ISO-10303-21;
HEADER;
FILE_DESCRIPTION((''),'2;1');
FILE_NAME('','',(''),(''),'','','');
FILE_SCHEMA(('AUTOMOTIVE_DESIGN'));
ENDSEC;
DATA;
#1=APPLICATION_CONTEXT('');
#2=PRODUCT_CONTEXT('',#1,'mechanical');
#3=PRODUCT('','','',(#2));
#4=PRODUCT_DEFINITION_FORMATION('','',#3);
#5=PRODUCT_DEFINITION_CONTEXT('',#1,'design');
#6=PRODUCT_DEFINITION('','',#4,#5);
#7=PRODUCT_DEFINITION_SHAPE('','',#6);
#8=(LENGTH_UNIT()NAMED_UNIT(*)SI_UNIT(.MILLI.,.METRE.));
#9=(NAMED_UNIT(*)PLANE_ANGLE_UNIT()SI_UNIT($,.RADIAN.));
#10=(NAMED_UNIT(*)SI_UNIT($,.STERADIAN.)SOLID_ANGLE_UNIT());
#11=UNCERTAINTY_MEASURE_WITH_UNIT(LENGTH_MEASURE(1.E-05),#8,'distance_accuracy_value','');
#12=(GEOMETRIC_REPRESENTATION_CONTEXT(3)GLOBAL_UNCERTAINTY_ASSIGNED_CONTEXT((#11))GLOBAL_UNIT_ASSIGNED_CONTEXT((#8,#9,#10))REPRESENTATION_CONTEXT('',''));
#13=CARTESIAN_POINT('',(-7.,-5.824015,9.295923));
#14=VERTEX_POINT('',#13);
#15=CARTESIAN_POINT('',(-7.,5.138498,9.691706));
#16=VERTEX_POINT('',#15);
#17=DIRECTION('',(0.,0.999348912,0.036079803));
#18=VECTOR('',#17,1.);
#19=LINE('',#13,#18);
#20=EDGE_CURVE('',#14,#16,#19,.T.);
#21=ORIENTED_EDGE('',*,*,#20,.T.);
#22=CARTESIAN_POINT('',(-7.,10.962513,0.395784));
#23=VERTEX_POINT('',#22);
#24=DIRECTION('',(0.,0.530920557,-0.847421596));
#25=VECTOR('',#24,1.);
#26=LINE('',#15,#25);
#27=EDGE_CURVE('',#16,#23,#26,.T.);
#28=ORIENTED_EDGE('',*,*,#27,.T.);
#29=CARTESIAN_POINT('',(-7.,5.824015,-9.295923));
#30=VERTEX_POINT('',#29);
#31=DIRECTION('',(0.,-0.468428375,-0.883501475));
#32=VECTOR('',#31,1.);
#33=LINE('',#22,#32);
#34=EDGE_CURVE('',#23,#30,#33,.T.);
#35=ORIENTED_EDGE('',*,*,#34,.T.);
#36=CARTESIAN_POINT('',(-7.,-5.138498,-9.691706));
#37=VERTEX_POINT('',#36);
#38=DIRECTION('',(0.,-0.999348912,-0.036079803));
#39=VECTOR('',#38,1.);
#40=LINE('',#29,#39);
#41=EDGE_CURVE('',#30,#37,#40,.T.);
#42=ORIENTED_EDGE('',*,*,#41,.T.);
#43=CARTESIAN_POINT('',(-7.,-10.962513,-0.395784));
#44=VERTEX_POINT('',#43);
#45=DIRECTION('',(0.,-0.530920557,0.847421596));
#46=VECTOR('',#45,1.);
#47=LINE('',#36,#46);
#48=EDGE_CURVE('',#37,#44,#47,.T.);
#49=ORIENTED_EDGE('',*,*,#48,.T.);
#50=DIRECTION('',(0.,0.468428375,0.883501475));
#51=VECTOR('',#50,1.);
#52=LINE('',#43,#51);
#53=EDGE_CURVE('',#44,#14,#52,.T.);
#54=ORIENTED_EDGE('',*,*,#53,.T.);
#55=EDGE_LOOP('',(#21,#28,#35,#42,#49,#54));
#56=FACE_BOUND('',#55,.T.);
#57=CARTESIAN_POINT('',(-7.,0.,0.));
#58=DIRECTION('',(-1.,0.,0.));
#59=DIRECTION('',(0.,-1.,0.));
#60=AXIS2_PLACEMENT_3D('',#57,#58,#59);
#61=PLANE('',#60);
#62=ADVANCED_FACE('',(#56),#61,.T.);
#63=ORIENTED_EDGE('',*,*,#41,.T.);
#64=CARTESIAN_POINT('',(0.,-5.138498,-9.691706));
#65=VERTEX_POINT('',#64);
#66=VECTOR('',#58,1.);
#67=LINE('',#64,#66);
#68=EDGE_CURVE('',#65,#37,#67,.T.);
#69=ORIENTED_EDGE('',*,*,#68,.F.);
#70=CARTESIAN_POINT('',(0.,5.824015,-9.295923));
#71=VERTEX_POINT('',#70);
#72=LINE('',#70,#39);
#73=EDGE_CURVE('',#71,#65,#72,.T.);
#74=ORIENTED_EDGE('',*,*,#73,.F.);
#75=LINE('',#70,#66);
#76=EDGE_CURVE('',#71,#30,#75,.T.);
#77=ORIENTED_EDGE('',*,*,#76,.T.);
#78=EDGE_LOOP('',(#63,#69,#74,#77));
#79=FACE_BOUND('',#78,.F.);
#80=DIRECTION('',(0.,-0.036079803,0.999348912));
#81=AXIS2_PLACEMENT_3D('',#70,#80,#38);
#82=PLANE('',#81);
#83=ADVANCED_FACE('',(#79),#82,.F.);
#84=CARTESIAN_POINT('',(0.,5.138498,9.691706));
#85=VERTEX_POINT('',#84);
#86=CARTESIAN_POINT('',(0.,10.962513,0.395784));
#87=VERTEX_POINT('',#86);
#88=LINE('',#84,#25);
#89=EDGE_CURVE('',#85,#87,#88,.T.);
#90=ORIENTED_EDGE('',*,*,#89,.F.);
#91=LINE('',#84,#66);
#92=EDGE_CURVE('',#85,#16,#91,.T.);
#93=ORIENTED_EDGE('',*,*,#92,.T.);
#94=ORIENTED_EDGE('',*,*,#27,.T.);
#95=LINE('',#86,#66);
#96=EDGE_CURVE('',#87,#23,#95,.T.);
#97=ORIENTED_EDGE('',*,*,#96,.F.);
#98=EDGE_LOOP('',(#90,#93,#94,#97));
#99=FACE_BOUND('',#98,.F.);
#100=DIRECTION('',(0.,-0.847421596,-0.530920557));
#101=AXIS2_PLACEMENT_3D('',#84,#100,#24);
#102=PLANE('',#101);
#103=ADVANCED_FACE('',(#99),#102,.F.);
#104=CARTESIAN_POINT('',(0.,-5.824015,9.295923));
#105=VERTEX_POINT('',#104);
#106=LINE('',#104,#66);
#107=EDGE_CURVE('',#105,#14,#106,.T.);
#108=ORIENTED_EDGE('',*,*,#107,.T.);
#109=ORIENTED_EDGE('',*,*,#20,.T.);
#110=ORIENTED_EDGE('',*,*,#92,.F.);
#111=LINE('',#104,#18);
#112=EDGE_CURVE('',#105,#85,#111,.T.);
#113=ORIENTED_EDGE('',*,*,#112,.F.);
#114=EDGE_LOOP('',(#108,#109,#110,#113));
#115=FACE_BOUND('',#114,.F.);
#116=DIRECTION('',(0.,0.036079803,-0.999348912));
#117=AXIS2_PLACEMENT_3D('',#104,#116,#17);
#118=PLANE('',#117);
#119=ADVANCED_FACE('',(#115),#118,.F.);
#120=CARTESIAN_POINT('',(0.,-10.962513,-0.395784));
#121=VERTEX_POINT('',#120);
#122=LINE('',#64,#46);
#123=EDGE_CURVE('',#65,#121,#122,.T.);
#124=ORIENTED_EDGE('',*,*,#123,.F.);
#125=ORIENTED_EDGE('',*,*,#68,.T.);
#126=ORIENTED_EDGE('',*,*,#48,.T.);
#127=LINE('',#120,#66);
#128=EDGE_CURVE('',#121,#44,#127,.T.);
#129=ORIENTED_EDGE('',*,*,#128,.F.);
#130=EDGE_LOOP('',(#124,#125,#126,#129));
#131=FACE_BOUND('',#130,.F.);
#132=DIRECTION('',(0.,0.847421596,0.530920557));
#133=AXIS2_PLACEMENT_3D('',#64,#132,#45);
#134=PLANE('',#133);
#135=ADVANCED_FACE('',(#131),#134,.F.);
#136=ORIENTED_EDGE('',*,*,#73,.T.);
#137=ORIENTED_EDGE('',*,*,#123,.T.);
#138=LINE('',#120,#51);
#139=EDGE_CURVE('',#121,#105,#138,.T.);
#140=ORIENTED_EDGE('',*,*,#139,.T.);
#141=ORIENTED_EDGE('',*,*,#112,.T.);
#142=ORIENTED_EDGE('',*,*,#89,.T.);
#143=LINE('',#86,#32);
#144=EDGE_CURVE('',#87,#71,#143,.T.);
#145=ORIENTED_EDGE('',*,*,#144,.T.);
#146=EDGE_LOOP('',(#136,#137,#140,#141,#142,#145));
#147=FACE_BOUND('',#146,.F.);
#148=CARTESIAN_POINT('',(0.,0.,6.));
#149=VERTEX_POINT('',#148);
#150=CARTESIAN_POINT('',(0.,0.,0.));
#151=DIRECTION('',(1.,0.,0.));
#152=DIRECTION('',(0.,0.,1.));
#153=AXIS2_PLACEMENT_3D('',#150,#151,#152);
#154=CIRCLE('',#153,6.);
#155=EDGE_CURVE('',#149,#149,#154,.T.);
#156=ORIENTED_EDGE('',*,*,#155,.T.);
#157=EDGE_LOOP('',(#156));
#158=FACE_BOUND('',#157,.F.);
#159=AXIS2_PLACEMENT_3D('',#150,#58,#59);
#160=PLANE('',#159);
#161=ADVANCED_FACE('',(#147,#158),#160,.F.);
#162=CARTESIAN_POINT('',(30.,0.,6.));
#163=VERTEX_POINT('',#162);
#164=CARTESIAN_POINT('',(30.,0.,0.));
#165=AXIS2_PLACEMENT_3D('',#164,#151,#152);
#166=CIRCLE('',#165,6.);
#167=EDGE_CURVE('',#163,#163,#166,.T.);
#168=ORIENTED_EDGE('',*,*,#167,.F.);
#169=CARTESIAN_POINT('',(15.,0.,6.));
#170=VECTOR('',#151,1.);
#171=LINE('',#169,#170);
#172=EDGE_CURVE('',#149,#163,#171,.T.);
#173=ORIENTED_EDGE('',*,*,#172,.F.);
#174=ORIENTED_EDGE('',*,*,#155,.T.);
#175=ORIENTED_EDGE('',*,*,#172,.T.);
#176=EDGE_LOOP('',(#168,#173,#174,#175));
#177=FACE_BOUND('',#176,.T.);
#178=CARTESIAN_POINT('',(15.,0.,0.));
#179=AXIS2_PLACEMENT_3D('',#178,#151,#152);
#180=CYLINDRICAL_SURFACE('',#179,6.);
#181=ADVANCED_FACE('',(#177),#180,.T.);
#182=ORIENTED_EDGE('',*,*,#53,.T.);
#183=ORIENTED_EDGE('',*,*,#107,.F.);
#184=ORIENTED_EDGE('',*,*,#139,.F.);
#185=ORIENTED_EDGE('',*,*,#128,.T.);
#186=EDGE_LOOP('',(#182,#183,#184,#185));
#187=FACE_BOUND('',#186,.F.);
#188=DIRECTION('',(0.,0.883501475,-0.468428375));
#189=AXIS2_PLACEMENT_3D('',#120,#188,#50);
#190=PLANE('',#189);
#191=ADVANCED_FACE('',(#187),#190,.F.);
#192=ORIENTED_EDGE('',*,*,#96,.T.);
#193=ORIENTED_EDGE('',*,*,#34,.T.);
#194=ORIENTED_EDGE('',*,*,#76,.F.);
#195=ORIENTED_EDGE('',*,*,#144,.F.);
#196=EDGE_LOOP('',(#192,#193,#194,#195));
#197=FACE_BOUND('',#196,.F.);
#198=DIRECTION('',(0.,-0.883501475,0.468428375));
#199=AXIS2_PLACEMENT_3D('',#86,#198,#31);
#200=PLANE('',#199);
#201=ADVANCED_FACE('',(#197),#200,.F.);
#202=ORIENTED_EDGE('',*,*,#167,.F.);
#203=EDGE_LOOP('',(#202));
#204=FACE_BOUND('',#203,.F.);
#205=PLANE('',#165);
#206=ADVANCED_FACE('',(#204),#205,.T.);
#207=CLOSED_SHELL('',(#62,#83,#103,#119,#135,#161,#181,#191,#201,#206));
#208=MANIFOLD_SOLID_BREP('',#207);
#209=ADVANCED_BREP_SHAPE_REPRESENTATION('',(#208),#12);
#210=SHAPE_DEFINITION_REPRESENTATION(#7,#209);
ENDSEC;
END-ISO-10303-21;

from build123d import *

# Parameters (mm, degrees)
F0_W     = 30
F0_H     = 6
F3_DEPTH = 7


with BuildPart() as f1:
    # F0 (on Front) → F1 (revolve)
    with BuildSketch(Plane.XZ):
        with Locations((15, 3)):
            Rectangle(F0_W, F0_H)
    revolve(axis=Axis((15, 0, 0), (1, 0, 0)))

    # F2 (on face) → F3 (join)
    with BuildSketch(Plane(origin=(0, 0, 0), x_dir=(0, -1, 0), z_dir=(-1, 0, 0))):
        Polygon((10.962513, -0.395784), (5.824015, 9.295923), (-5.138498, 9.691706), (-10.962513, 0.395784), (-5.824015, -9.295923), (5.138498, -9.691706), align=None)
    extrude(amount=F3_DEPTH)


solid = f1.part
